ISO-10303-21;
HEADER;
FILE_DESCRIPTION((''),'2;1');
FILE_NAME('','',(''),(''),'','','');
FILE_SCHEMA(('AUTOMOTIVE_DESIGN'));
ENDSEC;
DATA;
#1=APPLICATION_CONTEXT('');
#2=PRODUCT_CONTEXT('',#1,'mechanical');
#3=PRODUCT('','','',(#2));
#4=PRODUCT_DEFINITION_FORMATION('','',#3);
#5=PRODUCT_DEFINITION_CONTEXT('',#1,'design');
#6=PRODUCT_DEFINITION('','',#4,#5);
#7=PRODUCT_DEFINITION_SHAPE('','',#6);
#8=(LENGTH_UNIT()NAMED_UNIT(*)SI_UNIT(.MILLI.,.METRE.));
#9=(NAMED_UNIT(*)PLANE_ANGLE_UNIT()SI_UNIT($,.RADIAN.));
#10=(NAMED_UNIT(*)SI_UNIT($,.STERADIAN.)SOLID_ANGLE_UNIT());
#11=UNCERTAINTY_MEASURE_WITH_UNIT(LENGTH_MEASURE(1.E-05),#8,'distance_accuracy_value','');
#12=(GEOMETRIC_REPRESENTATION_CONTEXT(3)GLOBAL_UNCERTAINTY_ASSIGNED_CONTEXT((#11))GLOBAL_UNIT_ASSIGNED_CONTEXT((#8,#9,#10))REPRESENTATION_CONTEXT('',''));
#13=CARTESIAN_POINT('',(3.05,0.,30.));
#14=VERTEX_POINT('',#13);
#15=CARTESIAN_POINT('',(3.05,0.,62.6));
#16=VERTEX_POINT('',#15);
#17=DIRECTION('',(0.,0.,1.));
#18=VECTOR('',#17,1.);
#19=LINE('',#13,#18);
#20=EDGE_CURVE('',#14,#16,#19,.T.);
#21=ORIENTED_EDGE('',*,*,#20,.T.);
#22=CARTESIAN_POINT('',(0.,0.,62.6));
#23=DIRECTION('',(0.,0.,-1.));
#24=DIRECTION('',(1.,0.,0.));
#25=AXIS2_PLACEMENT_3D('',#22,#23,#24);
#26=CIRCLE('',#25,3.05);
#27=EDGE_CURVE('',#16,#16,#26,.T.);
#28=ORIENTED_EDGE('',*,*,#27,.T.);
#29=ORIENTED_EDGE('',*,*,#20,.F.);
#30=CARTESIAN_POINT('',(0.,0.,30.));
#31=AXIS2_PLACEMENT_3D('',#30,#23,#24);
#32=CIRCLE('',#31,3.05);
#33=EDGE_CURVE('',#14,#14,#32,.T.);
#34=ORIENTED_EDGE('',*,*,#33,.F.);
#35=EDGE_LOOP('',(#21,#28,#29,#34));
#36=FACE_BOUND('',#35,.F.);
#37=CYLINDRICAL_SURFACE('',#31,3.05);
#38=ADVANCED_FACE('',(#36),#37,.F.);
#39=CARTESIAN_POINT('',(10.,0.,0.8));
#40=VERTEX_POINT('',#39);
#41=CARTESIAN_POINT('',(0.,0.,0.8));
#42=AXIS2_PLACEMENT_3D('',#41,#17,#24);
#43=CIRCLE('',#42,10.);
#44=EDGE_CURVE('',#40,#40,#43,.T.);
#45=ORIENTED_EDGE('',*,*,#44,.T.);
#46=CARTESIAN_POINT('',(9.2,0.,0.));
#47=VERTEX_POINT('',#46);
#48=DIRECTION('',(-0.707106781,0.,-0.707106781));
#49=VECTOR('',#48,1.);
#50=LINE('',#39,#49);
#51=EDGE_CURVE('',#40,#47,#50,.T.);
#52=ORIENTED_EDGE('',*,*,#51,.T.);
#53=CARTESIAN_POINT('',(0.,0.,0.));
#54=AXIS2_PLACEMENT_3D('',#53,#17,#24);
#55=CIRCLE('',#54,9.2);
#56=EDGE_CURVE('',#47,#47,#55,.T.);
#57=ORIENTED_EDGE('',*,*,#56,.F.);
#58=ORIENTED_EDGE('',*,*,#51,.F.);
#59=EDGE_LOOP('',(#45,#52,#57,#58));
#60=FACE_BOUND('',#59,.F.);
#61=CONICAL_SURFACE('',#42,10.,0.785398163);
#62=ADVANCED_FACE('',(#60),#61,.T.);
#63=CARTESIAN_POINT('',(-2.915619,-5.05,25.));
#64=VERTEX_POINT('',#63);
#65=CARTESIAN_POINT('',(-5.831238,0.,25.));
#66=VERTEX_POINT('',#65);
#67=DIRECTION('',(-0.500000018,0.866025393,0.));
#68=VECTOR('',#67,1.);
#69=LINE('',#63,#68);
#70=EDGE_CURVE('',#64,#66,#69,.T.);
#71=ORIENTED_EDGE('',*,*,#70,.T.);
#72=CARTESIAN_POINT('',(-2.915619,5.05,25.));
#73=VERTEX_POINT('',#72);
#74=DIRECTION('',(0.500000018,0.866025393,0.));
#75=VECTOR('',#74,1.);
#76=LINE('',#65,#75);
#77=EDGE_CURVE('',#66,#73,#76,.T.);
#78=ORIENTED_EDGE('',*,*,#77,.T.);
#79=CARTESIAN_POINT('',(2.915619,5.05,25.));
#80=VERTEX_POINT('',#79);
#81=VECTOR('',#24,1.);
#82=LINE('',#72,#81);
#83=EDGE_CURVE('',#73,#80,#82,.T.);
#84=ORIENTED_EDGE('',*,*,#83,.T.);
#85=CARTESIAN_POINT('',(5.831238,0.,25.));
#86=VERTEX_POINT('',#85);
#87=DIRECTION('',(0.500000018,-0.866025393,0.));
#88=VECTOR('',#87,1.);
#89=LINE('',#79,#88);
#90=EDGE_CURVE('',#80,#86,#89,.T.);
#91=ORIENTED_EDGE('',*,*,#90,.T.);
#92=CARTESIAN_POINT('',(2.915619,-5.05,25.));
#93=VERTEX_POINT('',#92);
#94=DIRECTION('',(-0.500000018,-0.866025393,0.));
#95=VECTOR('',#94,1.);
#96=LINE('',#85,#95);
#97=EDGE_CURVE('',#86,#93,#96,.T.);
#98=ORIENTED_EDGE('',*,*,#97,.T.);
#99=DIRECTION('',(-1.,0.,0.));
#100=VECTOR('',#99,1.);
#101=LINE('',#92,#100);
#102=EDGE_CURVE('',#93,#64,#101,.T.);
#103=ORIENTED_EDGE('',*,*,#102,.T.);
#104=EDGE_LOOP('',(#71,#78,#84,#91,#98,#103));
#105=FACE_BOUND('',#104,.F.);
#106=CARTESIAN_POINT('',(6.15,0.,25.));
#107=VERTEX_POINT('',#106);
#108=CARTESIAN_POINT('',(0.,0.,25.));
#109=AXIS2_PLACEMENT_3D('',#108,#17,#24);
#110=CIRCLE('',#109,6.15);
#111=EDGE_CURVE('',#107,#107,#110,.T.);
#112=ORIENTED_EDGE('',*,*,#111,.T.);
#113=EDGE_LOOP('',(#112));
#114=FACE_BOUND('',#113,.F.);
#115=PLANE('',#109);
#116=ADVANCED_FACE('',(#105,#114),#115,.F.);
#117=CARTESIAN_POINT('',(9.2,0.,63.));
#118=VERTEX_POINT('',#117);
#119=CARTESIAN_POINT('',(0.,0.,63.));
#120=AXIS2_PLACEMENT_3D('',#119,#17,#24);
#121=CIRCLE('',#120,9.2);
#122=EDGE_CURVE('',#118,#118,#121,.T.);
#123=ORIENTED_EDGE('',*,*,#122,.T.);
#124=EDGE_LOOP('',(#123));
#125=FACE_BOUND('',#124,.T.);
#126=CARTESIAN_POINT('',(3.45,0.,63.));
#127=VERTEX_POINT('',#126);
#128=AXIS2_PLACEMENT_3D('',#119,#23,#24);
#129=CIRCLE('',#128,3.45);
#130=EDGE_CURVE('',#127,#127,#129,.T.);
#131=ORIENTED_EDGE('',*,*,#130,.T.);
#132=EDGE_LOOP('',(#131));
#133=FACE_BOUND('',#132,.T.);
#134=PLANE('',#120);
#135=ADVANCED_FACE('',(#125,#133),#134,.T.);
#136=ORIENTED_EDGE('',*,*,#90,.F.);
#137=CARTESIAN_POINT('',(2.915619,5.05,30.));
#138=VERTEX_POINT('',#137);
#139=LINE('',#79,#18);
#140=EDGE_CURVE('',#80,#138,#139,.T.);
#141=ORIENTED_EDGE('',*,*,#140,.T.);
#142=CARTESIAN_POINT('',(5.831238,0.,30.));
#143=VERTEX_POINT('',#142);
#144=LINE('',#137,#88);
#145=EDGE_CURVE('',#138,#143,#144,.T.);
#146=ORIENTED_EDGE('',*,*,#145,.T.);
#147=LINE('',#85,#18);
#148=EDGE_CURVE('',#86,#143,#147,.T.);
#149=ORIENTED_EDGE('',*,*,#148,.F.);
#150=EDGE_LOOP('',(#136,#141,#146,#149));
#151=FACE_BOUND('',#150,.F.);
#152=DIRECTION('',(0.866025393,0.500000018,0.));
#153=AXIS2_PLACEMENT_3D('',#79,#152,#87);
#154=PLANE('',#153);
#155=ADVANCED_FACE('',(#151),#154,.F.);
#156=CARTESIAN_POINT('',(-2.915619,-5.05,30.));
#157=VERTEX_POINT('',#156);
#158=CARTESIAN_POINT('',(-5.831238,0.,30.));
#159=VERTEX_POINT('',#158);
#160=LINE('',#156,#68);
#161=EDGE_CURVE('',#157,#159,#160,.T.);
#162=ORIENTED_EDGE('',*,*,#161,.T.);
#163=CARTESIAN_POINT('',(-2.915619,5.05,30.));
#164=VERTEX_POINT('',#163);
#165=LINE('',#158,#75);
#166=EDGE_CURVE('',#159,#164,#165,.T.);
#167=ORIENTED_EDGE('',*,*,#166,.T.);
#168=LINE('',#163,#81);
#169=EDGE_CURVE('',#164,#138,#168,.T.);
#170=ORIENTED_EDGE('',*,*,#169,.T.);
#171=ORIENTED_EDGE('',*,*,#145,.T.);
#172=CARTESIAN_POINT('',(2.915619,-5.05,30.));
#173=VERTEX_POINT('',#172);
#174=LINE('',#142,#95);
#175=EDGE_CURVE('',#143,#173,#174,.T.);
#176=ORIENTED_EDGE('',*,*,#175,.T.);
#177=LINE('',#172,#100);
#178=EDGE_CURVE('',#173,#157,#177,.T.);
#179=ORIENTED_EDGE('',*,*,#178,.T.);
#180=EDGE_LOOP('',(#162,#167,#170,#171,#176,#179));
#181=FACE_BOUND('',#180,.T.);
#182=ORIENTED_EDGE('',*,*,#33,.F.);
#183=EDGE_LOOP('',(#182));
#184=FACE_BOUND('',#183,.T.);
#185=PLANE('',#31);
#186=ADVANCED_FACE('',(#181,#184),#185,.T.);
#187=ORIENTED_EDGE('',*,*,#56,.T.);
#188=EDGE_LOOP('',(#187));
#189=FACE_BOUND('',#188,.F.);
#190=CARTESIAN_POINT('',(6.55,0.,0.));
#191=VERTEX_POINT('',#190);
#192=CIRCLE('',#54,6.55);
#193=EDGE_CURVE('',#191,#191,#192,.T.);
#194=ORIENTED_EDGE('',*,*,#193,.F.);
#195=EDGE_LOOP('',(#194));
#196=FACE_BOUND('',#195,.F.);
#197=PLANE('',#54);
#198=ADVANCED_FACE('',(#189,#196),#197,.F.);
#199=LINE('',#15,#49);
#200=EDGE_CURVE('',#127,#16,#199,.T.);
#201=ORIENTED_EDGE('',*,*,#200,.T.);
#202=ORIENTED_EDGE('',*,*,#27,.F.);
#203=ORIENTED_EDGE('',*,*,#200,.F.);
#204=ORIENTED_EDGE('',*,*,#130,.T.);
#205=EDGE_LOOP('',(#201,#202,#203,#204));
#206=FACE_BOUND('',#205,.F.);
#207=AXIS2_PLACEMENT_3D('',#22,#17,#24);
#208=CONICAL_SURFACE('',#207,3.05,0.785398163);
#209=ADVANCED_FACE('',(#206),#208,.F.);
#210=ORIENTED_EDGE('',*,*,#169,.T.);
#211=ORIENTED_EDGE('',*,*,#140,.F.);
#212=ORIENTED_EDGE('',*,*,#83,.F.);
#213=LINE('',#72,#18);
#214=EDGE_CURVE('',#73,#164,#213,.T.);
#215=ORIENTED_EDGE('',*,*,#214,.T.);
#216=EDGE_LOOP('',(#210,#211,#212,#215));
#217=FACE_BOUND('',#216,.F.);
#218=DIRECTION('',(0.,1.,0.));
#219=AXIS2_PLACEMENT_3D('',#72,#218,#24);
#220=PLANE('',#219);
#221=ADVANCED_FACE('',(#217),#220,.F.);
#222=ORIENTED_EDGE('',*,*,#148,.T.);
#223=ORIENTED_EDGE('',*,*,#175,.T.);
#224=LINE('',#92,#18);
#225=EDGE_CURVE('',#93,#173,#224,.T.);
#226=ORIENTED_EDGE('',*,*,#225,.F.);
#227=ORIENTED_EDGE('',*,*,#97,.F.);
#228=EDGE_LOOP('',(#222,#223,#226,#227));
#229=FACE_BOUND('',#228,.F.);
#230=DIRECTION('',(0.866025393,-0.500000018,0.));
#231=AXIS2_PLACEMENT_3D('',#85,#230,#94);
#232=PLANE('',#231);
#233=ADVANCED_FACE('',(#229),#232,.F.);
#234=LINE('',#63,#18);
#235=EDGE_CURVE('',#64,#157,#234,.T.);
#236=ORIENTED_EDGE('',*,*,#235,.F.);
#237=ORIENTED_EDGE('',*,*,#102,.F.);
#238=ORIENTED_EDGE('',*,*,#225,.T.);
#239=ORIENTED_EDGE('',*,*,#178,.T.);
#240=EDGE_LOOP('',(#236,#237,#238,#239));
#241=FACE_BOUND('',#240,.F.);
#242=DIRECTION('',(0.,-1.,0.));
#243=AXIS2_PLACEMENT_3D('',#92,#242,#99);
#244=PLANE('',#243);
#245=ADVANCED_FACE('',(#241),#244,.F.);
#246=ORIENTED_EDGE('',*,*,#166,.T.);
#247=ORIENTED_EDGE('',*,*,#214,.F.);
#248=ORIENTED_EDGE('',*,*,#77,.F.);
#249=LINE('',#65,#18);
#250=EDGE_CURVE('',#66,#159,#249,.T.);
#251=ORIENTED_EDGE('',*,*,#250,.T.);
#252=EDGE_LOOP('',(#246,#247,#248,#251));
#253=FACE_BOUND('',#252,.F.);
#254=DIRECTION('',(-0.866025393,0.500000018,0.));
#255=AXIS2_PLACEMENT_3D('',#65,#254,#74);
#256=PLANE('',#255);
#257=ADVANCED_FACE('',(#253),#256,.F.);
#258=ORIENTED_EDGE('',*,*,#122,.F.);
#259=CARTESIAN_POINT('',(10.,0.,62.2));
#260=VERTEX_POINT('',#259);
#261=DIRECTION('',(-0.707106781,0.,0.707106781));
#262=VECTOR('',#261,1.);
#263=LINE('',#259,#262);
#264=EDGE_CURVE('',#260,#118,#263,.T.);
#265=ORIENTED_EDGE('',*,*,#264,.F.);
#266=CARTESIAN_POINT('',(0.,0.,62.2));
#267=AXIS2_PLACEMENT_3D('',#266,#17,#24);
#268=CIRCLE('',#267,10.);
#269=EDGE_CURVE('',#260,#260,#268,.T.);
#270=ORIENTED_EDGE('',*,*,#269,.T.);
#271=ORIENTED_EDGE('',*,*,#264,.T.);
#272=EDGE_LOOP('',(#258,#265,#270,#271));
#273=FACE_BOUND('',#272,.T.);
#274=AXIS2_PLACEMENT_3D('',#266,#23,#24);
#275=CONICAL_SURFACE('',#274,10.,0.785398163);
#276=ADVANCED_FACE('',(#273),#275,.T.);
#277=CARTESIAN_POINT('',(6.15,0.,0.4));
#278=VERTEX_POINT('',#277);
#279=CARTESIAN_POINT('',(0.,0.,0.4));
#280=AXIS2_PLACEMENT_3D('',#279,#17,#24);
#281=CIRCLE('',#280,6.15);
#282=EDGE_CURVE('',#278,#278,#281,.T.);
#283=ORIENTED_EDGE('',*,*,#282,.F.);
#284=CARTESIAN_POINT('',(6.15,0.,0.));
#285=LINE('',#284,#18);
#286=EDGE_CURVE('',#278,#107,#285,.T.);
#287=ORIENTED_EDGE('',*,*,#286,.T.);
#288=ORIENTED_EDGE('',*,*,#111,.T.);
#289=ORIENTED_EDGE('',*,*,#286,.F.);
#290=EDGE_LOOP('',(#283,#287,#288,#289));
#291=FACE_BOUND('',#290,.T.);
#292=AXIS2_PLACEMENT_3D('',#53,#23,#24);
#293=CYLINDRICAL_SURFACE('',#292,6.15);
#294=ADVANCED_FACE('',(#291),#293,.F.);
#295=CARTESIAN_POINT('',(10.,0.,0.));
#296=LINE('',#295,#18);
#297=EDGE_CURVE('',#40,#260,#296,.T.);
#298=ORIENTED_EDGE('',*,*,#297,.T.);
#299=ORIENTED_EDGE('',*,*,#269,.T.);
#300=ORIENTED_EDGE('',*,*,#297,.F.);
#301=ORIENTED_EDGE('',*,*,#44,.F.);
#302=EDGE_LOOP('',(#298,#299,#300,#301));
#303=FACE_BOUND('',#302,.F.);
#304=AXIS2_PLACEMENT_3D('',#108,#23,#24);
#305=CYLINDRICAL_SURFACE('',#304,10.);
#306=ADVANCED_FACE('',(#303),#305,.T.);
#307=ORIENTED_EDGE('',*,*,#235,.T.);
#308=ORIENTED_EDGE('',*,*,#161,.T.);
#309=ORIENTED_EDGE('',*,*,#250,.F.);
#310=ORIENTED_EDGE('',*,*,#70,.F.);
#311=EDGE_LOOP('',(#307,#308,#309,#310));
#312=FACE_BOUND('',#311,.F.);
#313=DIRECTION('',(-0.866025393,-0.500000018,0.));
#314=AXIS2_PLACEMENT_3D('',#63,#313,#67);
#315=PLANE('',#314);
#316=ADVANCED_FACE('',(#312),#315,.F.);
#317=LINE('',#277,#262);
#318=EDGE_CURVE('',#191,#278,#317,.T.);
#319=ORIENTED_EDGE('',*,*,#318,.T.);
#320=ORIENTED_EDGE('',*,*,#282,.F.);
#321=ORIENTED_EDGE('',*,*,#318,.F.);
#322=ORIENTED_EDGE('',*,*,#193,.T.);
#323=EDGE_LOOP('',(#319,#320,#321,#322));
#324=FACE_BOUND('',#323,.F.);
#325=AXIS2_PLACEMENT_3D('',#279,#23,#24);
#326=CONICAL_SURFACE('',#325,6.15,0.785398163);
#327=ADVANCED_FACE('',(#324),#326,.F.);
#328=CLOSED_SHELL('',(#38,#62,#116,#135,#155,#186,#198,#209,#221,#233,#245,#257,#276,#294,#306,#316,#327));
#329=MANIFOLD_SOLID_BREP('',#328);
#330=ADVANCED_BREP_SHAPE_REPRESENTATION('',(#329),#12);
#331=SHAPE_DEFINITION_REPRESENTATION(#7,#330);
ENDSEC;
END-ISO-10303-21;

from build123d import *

# Parameters (mm, degrees)
F0_R     = 10
F0_R_2   = 6.15
F1_DEPTH = 25
F2_R     = 10
F3_DEPTH = 38
F5_DEPTH = 5
F6_R     = 3.05
F7_DEPTH = 50
F8_SIZE  = 0.8
F9_SIZE  = 0.4
F10_SIZE = 0.4


with BuildPart() as f1:
    # F0 (on Top) → F1 (new body)
    with BuildSketch(Plane.XY):
        Circle(F0_R)
        Circle(F0_R_2, mode=Mode.SUBTRACT)
    extrude(amount=F1_DEPTH)

    # F2 (on face) → F3 (join)
    with BuildSketch(Plane.XY.offset(25)):
        Circle(F2_R)
    extrude(amount=F3_DEPTH)

    # F4 (on face) → F5 (cut)
    with BuildSketch(Plane(origin=(0, 0, 25), x_dir=(1, 0, 0), z_dir=(0, 0, -1))):
        Polygon((-2.915619, -5.05), (2.915619, -5.05), (5.831238, 0), (2.915619, 5.05), (-2.915619, 5.05), (-5.831238, 0), align=None)
    extrude(amount=-F5_DEPTH, mode=Mode.SUBTRACT)

    # F6 (on face) → F7 (cut)
    with BuildSketch(Plane(origin=(0, 0, 30), x_dir=(1, 0, 0), z_dir=(0, 0, -1))):
        Circle(F6_R)
    extrude(amount=-F7_DEPTH, mode=Mode.SUBTRACT)

    # F8
    f8_edges = [f1.edges().sort_by_distance(p)[0] for p in [
        (-10, 0, 0),
        (-10, 0, 63),
    ]]
    chamfer(f8_edges, length=F8_SIZE)

    # F9
    f9_edges = [f1.edges().sort_by_distance(p)[0] for p in [
        (-3.05, 0, 63),
    ]]
    chamfer(f9_edges, length=F9_SIZE)

    # F10
    f10_edges = [f1.edges().sort_by_distance(p)[0] for p in [
        (-6.15, 0, 0),
    ]]
    chamfer(f10_edges, length=F10_SIZE)


solid = f1.part
